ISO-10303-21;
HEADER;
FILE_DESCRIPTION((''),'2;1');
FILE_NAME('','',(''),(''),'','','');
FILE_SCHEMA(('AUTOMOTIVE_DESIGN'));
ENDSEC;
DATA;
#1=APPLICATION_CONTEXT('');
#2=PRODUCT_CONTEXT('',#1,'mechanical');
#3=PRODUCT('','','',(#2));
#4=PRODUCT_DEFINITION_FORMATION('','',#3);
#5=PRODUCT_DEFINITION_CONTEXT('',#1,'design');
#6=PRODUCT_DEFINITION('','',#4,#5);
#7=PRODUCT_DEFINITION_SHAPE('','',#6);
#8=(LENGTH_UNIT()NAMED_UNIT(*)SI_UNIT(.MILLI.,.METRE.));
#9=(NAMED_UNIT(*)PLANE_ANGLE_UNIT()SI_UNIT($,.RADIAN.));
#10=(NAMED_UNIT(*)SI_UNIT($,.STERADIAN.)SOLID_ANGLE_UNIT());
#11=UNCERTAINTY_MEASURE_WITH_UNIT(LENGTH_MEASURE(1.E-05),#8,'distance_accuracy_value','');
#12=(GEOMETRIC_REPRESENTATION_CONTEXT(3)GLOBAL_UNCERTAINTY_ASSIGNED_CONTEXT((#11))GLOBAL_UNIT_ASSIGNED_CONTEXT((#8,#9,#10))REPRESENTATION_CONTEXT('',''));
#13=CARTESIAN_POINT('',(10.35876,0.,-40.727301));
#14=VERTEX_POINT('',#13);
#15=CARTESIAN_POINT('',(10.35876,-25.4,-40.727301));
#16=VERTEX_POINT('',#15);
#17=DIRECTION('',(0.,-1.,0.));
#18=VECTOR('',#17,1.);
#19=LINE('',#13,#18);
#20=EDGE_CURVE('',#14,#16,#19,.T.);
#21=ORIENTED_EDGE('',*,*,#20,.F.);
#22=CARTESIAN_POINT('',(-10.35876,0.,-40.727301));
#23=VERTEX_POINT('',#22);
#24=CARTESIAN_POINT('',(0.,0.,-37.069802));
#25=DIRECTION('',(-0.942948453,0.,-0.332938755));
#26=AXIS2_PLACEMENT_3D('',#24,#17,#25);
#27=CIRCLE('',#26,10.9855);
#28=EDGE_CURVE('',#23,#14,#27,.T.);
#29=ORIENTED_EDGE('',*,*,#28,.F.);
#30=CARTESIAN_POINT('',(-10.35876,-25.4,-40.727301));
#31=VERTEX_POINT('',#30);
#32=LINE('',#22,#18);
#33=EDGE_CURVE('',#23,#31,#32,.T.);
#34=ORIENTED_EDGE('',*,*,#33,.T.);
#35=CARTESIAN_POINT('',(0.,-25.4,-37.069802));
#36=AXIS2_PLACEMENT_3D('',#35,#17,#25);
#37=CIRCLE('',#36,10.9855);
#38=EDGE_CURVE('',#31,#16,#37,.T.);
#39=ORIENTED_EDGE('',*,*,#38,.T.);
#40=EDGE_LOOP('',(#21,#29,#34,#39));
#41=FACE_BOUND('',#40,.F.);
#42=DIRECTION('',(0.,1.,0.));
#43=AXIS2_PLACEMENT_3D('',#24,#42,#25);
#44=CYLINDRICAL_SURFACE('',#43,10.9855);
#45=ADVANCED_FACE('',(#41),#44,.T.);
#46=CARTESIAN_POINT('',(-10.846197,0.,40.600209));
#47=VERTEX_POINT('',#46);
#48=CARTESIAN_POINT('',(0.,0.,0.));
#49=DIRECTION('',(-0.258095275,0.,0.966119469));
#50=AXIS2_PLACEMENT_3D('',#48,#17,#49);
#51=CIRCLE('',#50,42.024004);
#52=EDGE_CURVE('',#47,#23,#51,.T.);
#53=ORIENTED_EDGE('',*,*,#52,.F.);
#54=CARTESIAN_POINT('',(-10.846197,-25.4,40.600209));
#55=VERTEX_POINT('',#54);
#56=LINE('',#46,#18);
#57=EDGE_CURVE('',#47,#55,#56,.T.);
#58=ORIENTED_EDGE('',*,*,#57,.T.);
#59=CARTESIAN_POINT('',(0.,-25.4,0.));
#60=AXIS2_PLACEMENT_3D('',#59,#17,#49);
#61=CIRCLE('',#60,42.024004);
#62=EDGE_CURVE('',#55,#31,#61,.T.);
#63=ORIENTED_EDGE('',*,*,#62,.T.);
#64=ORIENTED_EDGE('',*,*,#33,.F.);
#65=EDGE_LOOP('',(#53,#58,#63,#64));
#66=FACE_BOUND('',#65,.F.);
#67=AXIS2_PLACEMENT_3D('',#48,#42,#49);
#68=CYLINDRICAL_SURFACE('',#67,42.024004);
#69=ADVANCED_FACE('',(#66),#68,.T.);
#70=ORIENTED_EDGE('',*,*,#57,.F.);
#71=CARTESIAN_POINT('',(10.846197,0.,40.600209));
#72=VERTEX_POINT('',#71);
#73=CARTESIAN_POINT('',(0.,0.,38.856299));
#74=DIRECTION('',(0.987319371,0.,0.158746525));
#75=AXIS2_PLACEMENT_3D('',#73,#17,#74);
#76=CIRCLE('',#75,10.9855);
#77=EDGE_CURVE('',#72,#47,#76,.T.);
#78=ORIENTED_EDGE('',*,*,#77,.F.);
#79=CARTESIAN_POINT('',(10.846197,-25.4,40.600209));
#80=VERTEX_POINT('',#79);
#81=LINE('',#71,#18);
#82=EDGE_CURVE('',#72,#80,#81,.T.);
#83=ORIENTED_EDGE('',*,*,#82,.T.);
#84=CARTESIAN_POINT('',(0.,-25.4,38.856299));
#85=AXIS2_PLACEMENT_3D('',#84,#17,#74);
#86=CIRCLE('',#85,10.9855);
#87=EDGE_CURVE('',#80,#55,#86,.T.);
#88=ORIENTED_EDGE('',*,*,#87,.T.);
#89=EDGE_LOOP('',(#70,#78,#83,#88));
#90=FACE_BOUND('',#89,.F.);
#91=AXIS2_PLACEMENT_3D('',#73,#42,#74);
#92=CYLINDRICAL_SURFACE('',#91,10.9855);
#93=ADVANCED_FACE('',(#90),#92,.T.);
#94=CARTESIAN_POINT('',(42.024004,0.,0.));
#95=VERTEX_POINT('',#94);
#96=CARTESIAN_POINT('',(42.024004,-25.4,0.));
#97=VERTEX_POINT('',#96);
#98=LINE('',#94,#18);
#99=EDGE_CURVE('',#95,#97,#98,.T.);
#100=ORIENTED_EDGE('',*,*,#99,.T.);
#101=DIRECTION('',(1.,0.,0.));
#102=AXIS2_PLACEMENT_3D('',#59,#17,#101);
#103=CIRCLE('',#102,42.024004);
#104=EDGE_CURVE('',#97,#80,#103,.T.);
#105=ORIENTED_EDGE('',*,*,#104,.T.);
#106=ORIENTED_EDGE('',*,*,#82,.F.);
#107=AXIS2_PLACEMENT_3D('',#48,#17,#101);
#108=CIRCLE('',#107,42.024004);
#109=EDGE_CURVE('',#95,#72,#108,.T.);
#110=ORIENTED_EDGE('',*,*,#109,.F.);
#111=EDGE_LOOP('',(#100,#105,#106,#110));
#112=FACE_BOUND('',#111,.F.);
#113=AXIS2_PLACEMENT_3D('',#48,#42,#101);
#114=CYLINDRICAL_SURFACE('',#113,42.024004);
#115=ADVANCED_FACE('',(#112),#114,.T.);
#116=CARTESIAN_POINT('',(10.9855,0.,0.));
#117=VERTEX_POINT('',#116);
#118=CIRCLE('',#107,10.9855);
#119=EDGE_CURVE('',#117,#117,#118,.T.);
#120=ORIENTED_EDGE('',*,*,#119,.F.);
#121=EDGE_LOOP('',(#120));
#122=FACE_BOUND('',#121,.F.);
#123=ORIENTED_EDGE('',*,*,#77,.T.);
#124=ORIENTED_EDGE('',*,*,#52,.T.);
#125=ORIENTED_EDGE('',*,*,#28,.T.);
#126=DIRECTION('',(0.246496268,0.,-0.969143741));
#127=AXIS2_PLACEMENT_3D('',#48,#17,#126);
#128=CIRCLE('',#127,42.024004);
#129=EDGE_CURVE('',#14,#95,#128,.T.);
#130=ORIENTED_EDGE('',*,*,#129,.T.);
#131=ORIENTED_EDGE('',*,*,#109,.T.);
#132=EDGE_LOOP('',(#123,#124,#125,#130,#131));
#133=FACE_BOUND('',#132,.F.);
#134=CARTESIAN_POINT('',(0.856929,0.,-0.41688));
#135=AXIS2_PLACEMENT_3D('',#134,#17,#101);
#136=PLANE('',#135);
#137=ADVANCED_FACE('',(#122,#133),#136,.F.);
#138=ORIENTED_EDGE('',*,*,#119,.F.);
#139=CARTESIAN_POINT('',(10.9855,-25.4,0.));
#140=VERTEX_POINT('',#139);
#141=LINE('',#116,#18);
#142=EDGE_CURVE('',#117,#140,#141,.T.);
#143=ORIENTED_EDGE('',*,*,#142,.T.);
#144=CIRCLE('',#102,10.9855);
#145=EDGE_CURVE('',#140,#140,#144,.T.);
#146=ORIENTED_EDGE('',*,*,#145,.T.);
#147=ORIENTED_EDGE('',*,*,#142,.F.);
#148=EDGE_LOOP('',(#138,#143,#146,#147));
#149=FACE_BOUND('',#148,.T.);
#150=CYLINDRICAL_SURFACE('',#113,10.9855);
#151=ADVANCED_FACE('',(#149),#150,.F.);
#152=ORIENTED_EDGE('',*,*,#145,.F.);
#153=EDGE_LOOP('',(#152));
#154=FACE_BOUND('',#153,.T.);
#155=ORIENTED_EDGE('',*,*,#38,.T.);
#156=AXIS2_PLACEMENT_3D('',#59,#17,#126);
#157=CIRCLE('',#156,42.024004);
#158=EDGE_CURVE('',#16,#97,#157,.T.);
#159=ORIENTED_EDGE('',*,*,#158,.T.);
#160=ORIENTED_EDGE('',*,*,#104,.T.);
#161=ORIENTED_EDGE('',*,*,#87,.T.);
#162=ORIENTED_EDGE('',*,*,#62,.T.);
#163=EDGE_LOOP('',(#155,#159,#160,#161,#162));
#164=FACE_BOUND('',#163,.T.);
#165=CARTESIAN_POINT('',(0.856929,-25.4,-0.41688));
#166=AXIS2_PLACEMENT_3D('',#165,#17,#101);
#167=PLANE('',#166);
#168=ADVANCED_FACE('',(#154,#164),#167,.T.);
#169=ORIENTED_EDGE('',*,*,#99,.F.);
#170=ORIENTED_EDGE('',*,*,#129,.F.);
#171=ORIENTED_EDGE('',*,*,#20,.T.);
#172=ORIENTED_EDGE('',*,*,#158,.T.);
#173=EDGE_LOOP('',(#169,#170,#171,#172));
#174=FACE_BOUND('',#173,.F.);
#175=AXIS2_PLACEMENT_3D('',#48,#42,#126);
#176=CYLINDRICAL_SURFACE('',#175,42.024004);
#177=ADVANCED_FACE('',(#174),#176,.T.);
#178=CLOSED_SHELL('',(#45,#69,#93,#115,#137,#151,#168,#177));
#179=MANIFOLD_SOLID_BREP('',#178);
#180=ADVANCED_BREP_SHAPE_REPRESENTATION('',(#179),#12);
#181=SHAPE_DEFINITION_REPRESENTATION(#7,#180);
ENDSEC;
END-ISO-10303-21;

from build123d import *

# Parameters (mm, degrees)
F0_R     = 10.9855
F1_DEPTH = 25.4


with BuildPart() as f1:
    # F0 (on Front) → F1 (new body)
    with BuildSketch(Plane.XZ):
        with BuildLine():
            ThreePointArc((10.3587602318, -40.7273007836), (33.176298225, -25.7943826974), (42.0240043624, 0))
            ThreePointArc((42.0240043624, 0), (33.3302983089, 25.5950807245), (10.8461969529, 40.6002087964))
            ThreePointArc((10.8461969529, 40.6002087964), (10.950618861, 39.7310312709), (10.9855, 38.8562988478))
            ThreePointArc((10.9855, 38.8562988478), (-0.8747324231, 27.9056799868), (-10.8461969529, 40.6002087964))
            ThreePointArc((-10.8461969529, 40.6002087964), (-42.0232495878, -0.2518664975), (-10.3587602318, -40.7273007836))
            ThreePointArc((-10.3587602318, -40.7273007836), (-1.8554042314, -26.2421206466), (10.9855, -37.0698020877))
            ThreePointArc((10.9855, -37.0698020877), (10.827681441, -38.9252063191), (10.3587602318, -40.7273007836))
        make_face()
        Circle(F0_R, mode=Mode.SUBTRACT)
        with BuildLine():
            ThreePointArc((10.9855, 38.8562988478), (10.950618861, 39.7310312709), (10.8461969529, 40.6002087964))
            ThreePointArc((10.8461969529, 40.6002087964), (0, 42.0240043624), (-10.8461969529, 40.6002087964))
            ThreePointArc((-10.8461969529, 40.6002087964), (-0.8747324231, 27.9056799868), (10.9855, 38.8562988478))
        make_face()
        with BuildLine():
            ThreePointArc((-10.8461969529, 40.6002087964), (0, 42.0240043624), (10.8461969529, 40.6002087964))
            ThreePointArc((10.8461969529, 40.6002087964), (0, 49.8417988478), (-10.8461969529, 40.6002087964))
        make_face()
        with BuildLine():
            ThreePointArc((-10.3587602318, -40.7273007836), (0, -48.0553020877), (10.3587602318, -40.7273007836))
            ThreePointArc((10.3587602318, -40.7273007836), (0, -42.0240043624), (-10.3587602318, -40.7273007836))
        make_face()
        with BuildLine():
            ThreePointArc((-10.3587602318, -40.7273007836), (0, -42.0240043624), (10.3587602318, -40.7273007836))
            ThreePointArc((10.3587602318, -40.7273007836), (10.827681441, -38.9252063191), (10.9855, -37.0698020877))
            ThreePointArc((10.9855, -37.0698020877), (-1.8554042314, -26.2421206466), (-10.3587602318, -40.7273007836))
        make_face()
    extrude(amount=F1_DEPTH)


solid = f1.part
